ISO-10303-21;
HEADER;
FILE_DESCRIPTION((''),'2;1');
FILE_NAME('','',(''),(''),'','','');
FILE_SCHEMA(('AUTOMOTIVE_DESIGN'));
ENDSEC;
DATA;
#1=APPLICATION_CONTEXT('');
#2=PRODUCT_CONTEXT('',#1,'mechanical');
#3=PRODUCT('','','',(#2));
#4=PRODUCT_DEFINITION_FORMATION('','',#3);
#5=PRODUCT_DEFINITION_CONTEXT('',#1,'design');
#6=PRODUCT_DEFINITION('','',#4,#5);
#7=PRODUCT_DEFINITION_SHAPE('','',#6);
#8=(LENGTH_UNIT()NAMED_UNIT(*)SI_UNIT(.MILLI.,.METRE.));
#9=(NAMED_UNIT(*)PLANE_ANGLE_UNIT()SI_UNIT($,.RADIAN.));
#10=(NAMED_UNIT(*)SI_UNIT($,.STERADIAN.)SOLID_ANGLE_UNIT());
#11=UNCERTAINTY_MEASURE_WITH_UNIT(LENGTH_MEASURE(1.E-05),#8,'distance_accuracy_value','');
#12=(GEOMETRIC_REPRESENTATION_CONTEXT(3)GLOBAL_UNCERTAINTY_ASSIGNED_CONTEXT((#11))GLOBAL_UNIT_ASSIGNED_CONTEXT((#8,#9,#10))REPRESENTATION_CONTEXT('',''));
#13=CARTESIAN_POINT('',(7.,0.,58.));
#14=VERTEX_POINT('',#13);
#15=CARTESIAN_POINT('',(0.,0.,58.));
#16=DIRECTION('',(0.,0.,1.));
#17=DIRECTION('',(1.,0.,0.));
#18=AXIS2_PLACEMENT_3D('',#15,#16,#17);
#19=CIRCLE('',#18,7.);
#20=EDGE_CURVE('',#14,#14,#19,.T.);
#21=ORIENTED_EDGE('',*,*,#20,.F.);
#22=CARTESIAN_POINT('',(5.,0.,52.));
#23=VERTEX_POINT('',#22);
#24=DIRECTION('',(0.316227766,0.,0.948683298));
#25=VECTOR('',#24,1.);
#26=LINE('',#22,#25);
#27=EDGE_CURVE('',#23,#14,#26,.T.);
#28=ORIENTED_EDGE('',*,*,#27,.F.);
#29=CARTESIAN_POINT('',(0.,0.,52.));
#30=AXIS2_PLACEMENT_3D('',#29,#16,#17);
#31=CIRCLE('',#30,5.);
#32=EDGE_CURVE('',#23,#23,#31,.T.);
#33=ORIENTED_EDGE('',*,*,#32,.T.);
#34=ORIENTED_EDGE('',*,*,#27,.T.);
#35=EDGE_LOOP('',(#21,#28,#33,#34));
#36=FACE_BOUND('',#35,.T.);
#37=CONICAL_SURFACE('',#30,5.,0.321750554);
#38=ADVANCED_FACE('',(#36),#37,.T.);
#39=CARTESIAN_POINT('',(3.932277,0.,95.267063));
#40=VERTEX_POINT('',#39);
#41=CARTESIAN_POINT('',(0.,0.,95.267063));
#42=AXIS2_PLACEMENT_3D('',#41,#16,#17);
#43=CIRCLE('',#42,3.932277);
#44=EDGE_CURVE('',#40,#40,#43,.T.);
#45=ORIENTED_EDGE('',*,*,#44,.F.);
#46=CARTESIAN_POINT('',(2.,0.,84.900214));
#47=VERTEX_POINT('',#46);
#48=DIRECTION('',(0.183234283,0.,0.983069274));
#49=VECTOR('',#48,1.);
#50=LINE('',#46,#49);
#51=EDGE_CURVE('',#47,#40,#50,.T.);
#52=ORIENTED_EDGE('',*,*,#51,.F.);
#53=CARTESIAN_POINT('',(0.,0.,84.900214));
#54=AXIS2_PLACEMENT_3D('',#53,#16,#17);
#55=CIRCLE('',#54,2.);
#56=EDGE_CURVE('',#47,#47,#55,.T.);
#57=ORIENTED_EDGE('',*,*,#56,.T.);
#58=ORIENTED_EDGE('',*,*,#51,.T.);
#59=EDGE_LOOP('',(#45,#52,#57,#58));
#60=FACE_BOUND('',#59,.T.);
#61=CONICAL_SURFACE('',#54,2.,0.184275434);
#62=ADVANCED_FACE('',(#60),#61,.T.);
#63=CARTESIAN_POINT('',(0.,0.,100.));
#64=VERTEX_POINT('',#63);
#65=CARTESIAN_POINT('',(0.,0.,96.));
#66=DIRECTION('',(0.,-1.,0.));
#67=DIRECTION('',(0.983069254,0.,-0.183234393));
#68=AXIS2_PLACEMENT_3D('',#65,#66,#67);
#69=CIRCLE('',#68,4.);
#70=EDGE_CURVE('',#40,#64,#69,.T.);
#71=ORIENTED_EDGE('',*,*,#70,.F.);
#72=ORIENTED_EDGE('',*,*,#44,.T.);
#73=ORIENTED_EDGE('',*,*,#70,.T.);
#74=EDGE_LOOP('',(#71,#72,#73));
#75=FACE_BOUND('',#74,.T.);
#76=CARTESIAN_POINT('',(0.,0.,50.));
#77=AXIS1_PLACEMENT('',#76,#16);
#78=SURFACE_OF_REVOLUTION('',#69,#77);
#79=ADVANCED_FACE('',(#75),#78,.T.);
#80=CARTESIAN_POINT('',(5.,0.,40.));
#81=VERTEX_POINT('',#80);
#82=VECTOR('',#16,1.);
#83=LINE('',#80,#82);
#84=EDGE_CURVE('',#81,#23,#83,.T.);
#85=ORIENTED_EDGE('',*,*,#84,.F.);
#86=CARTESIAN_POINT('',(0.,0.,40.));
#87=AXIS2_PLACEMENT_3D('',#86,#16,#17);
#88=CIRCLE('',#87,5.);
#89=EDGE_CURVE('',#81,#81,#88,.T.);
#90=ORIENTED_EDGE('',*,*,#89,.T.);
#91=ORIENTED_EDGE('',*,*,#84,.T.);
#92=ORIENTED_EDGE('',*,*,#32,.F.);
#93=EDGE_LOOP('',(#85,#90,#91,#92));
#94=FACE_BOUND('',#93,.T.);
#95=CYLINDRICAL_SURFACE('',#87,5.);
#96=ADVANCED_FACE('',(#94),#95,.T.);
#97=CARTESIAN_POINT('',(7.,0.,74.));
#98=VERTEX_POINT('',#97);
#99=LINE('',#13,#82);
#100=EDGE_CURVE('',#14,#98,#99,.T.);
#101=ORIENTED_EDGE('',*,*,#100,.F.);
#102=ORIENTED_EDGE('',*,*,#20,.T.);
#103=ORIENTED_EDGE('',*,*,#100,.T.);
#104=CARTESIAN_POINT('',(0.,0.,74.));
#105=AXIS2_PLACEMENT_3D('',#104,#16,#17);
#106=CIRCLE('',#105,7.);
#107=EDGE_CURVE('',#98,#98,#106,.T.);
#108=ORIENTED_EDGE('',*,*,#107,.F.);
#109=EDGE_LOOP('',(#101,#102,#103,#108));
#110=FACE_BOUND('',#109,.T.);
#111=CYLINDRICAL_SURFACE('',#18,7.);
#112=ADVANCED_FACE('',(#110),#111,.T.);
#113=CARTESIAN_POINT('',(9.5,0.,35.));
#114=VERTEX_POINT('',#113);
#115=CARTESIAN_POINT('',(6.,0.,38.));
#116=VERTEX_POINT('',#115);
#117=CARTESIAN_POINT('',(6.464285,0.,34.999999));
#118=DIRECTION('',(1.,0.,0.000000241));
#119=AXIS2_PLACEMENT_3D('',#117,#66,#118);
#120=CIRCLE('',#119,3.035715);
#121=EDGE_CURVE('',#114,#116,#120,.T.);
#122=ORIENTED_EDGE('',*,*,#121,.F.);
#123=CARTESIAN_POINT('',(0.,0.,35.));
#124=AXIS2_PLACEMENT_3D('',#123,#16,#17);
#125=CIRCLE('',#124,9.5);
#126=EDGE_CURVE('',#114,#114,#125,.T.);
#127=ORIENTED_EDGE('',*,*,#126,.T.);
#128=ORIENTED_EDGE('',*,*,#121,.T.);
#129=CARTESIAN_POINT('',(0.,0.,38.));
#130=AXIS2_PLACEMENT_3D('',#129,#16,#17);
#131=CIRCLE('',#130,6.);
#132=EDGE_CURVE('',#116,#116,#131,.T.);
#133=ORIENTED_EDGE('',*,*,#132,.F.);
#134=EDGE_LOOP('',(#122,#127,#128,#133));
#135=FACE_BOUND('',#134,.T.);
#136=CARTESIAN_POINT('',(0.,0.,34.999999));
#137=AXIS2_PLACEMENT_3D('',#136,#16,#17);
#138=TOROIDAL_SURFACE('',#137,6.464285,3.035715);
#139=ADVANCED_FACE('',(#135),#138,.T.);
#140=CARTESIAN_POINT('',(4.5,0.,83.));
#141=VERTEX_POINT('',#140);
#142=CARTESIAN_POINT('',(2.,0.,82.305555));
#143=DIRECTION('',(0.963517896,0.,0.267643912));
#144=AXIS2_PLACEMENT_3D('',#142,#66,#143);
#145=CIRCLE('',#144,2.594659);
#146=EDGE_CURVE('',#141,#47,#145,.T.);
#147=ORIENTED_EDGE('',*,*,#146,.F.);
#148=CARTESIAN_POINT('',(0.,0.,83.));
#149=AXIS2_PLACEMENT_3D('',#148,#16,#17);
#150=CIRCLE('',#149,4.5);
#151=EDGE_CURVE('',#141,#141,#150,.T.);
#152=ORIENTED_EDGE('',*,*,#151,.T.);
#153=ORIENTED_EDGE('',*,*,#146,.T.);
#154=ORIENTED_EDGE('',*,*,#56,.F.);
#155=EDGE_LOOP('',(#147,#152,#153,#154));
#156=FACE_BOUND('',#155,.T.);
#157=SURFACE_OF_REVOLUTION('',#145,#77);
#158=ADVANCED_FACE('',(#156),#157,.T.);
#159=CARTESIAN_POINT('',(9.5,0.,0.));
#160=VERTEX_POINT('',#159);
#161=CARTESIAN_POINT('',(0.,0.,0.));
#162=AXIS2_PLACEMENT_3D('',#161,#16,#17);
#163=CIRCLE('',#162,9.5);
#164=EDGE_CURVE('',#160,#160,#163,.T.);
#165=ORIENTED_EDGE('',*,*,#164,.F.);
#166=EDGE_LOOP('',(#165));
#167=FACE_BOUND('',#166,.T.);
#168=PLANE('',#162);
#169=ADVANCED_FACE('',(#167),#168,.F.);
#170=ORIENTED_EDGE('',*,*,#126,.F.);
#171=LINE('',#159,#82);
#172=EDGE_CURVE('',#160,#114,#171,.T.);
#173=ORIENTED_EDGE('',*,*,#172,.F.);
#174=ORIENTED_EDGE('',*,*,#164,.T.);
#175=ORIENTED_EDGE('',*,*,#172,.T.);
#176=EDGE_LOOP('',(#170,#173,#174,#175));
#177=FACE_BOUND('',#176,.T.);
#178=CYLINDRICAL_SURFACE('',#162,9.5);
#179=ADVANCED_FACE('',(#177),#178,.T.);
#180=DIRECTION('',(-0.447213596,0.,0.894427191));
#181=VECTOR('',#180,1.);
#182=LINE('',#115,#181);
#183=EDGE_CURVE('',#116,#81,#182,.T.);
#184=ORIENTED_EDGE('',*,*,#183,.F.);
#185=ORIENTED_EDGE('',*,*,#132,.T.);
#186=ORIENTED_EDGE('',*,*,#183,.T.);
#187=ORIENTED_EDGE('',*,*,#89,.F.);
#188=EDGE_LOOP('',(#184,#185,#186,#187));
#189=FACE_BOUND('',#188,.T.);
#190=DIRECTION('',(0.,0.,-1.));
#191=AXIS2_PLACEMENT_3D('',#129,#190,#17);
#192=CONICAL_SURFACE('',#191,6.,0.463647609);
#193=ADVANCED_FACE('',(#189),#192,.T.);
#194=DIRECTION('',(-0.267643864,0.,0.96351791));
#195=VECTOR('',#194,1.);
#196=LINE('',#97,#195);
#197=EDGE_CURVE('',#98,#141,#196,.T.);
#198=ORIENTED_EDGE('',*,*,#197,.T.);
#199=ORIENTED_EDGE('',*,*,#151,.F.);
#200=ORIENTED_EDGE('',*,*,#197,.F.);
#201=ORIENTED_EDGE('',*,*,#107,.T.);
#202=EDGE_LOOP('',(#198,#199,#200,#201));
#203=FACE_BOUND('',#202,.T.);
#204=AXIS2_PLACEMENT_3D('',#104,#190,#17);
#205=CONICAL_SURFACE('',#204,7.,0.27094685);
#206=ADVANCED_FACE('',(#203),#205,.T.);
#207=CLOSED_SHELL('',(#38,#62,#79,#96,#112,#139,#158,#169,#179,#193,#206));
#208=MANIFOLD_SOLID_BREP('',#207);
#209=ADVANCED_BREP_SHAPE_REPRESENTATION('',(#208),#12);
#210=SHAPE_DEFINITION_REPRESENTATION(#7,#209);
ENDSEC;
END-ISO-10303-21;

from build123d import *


with BuildPart() as f1:
    # F0 (on Front) → F1 (revolve)
    with BuildSketch(Plane.XZ):
        with BuildLine():
            Line((0, 0), (9.5, 0))
            Line((9.5, 0), (9.5, 35))
            ThreePointArc((9.5, 35), (8.439902, 37.304886), (6, 38))
            Line((6, 38), (5, 40))
            Line((5, 40), (5, 52))
            Line((5, 52), (7, 58))
            Line((7, 58), (7, 74))
            Line((7, 74), (4.5, 83))
            ThreePointArc((4.5, 83), (3.570097, 84.371239), (2, 84.900214))
            Line((2, 84.900214), (3.932277, 95.267063))
            ThreePointArc((3.932277, 95.267063), (3.076666, 98.556194), (0, 100))
            Line((0, 100), (0, 0))
        make_face()
    revolve(axis=Axis((0, 0, 50), (0, 0, 1)))


solid = f1.part
